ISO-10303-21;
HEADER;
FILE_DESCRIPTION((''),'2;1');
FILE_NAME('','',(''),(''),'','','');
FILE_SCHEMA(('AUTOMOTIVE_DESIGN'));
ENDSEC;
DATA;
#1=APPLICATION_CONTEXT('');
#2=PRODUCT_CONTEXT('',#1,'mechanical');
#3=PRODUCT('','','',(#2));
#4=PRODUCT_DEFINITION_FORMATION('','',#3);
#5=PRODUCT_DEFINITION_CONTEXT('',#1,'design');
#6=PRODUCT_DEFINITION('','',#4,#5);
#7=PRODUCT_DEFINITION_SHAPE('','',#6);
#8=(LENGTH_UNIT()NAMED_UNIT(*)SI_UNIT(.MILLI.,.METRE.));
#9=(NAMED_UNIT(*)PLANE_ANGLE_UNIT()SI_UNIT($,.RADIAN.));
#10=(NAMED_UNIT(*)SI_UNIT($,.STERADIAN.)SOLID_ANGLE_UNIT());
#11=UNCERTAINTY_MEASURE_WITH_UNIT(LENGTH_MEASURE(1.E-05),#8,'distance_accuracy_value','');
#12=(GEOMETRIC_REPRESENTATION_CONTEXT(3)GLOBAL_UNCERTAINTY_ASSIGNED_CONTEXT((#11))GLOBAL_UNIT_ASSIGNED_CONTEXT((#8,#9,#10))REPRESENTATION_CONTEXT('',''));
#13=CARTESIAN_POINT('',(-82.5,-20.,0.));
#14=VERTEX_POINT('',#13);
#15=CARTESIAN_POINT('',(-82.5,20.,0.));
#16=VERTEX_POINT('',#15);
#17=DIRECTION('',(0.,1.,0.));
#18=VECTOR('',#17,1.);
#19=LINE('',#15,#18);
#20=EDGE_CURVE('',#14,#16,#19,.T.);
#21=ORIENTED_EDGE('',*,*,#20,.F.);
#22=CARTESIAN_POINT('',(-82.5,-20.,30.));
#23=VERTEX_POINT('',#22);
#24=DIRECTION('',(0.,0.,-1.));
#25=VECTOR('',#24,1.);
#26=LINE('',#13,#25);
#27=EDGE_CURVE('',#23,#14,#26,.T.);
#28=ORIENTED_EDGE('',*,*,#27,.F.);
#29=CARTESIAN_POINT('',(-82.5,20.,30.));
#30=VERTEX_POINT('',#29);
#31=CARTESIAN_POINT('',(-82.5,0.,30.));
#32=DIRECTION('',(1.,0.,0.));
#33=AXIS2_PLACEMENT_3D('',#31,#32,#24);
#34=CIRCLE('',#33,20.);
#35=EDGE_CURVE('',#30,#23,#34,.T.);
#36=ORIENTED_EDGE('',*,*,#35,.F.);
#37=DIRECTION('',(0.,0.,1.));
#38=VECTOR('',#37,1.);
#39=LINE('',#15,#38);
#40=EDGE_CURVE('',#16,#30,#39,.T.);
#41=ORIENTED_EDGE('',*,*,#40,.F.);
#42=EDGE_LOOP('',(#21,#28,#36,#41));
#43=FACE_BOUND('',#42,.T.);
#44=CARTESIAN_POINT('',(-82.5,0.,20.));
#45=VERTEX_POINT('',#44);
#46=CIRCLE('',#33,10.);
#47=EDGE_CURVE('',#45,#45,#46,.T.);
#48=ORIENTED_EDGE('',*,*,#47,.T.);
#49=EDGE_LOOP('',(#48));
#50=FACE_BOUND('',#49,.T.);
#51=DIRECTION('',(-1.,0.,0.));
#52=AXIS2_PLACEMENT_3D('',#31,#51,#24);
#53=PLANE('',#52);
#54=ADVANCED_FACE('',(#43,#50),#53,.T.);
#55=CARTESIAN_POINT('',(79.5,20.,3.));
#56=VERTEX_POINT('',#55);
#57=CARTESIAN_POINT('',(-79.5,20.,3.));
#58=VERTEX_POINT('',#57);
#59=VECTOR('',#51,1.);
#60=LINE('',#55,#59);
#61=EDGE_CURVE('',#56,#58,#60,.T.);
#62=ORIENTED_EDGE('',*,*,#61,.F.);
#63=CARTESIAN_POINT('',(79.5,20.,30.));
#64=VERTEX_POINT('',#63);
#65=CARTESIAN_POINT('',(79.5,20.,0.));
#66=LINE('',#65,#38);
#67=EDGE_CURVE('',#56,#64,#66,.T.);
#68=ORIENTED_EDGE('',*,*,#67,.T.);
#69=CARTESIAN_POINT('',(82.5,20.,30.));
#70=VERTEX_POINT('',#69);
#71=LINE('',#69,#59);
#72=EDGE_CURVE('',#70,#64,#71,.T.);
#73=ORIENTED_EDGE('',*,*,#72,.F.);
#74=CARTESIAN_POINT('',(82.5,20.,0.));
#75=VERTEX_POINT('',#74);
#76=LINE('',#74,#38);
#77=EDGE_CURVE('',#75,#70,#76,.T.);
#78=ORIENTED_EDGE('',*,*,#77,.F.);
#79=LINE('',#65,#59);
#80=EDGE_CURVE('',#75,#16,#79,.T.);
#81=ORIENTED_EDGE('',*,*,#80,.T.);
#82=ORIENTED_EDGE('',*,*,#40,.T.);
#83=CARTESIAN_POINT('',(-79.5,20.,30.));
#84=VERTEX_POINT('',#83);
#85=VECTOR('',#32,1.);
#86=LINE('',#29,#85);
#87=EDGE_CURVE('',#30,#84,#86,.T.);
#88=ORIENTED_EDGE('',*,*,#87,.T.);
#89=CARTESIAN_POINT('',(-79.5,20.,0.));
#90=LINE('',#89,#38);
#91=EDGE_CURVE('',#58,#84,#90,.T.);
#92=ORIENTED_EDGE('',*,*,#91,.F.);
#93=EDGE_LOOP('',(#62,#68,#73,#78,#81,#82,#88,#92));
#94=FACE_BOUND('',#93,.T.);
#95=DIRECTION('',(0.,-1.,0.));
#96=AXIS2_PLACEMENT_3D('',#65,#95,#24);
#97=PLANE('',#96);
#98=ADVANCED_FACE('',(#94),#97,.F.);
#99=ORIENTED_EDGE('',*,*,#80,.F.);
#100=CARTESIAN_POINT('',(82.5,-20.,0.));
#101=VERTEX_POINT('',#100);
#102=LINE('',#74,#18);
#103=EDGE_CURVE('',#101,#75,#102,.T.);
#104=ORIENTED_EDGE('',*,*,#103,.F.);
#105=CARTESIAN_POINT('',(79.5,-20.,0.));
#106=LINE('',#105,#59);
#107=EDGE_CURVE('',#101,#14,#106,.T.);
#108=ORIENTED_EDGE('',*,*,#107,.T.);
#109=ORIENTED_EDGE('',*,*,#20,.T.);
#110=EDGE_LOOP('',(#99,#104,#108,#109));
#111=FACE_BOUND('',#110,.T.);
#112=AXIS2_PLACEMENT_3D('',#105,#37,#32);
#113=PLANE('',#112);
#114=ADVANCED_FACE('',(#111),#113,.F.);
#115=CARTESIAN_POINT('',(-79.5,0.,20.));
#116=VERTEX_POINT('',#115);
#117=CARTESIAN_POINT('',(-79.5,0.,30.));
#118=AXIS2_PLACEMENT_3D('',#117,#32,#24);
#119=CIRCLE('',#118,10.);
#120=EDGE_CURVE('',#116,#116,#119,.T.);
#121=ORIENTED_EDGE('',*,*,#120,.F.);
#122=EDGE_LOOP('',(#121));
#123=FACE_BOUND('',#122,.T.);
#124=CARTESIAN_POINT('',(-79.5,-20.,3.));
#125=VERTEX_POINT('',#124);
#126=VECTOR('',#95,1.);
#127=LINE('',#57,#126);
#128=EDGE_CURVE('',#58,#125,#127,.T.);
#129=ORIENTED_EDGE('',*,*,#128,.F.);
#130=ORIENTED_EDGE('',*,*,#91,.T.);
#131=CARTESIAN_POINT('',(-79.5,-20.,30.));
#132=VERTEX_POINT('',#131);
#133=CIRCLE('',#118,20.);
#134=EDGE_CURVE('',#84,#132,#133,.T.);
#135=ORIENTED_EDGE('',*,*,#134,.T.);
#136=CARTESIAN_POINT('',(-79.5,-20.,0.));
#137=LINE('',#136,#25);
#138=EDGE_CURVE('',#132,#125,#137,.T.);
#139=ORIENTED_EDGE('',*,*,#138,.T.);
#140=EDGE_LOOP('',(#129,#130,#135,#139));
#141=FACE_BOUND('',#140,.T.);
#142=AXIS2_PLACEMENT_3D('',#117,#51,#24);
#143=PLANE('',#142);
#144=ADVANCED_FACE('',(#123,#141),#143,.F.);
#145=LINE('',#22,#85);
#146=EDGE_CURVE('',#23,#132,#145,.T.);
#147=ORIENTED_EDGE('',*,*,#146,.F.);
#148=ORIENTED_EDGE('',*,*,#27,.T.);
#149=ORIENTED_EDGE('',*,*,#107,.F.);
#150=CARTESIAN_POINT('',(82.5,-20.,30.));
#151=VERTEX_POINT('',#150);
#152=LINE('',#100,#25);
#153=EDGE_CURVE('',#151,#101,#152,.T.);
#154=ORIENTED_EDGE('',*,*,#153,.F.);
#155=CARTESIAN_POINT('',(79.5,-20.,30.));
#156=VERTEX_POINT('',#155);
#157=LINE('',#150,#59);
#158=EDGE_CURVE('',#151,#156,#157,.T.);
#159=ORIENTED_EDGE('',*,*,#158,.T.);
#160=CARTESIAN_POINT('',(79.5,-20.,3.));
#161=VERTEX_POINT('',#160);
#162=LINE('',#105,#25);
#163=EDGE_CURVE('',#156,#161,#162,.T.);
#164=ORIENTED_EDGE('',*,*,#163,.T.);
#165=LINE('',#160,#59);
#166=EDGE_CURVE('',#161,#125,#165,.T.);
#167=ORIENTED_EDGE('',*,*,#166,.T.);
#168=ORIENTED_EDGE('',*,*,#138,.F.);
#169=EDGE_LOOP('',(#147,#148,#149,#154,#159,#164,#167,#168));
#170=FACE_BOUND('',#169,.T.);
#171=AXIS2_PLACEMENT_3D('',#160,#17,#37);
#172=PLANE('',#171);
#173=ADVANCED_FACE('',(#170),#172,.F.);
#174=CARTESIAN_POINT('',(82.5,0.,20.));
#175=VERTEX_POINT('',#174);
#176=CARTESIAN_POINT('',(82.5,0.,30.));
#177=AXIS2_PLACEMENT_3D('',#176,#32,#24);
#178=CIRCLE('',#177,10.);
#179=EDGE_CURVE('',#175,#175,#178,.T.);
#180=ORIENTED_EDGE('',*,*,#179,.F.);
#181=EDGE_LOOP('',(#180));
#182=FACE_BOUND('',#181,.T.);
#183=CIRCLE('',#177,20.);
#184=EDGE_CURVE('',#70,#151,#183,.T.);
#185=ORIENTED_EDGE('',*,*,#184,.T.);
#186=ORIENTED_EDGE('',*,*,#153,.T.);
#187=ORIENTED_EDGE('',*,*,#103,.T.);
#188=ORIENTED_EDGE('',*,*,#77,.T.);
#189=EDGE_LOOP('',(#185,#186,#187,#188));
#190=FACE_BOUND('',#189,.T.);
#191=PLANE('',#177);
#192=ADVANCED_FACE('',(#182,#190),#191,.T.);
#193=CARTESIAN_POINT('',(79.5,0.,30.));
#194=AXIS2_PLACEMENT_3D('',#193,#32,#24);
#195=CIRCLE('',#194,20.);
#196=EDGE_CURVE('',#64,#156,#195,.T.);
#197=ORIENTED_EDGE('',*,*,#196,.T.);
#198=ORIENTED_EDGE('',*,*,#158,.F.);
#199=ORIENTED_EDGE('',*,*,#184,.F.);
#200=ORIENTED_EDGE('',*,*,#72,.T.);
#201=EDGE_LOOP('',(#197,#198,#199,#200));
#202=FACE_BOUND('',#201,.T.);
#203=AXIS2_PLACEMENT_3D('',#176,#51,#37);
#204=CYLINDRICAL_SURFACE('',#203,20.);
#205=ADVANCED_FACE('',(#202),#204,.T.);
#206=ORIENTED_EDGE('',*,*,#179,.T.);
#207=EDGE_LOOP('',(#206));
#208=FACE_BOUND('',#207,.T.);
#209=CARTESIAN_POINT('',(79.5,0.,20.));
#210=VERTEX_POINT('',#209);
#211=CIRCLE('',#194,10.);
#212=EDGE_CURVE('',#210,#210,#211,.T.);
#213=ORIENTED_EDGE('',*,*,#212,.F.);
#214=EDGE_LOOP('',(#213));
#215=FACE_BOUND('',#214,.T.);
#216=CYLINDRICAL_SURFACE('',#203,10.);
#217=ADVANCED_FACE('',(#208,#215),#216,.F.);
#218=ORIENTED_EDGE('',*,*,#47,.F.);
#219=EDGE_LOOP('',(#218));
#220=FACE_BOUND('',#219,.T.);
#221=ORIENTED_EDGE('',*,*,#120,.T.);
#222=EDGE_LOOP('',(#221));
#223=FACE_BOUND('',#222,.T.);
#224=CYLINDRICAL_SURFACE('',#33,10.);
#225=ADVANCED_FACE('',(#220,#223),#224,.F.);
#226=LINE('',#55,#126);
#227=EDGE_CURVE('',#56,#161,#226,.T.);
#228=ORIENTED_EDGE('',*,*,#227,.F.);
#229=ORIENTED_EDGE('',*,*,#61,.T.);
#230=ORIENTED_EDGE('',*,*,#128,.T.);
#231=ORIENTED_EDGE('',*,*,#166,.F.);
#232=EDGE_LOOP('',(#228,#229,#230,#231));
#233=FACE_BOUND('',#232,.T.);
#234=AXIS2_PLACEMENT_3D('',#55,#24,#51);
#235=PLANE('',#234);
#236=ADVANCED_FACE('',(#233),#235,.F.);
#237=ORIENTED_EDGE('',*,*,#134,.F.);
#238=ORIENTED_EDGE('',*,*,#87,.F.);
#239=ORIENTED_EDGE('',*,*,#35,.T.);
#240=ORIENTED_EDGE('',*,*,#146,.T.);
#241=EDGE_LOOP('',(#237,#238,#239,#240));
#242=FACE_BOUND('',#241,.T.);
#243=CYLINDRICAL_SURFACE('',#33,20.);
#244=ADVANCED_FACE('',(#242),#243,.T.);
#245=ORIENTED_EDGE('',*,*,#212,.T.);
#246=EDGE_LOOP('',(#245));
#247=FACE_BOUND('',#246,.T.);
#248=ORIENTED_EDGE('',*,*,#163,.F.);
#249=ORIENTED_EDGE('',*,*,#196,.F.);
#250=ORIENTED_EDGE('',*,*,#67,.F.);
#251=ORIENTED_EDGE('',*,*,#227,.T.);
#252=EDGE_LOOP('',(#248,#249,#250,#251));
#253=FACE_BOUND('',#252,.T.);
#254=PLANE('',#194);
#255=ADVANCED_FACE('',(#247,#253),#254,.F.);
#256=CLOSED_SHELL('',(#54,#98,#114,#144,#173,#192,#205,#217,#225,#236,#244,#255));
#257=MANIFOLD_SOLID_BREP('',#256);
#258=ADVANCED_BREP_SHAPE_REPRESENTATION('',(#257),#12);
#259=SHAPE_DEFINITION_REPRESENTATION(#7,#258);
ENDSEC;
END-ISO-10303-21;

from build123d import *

# Parameters (mm, degrees)
SKETCH_1_W      = 3
SKETCH_1_H      = 40
EXTRUDE_1_DEPTH = 79.5
SKETCH_2_R      = 10
EXTRUDE_2_DEPTH = 3


with BuildPart() as part:
    # 스케치1 → 보스-돌출1 (new, symmetric)
    with BuildSketch(Plane(origin=(0, 0, 0), x_dir=(0, 0, -1), z_dir=(1, 0, 0))):
        with Locations((-1.5, 0)):
            Rectangle(SKETCH_1_W, SKETCH_1_H)
    extrude(amount=EXTRUDE_1_DEPTH, both=True)

    # 스케치2 → 보스-돌출2 (add)
    with BuildSketch(Plane(origin=(79.5, 0, 0), x_dir=(0, 0, -1), z_dir=(1, 0, 0))):
        with BuildLine():
            Line((0, 20), (-30, 20))
            ThreePointArc((-30, 20), (-50, 0), (-30, -20))
            Line((-30, -20), (0, -20))
            Line((0, -20), (0, 20))
        make_face()
        with Locations((-30, 0)):
            Circle(SKETCH_2_R, mode=Mode.SUBTRACT)
    extrude_2 = extrude(amount=EXTRUDE_2_DEPTH)

    # 대칭 복사1: 보스-돌출2 across plane
    add(extrude_2.mirror(Plane(origin=(0, 0, 0), x_dir=(0, 0, 1), z_dir=(1, 0, 0))))


solid = part.part
